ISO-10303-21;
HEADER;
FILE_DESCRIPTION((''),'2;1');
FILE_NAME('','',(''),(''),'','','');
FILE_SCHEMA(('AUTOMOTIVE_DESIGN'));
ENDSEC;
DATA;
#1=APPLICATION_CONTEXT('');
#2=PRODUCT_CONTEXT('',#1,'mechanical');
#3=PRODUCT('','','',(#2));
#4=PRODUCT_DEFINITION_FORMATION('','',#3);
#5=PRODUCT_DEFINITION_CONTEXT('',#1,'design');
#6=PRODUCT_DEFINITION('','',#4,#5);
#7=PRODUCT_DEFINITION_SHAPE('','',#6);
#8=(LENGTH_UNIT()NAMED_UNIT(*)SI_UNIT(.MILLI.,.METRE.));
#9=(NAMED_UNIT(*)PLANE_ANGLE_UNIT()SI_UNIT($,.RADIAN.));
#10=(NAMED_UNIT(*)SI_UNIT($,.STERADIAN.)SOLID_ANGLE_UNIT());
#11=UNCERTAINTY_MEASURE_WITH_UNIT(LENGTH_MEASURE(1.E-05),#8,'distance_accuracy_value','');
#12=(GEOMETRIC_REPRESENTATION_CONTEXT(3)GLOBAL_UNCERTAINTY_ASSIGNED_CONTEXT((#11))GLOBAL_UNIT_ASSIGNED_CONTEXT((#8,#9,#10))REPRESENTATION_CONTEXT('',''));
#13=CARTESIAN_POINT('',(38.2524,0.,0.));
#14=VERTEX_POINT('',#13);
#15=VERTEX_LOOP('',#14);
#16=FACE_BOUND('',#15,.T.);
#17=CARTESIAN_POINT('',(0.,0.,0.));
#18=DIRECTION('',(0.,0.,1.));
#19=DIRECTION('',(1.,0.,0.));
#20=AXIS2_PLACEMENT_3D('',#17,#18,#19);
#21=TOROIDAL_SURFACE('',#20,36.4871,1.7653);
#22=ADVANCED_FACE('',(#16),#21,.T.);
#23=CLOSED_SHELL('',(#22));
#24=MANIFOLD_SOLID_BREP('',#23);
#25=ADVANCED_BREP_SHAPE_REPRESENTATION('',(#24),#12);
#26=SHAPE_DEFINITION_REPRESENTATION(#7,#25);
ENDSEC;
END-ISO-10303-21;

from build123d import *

# Parameters (mm, degrees)
SKETCH1_R = 1.7653


with BuildPart() as part:
    # Sketch1 → Revolve1 (revolve)
    with BuildSketch(Plane(origin=(0, 0, 0), x_dir=(0, -1, 0), z_dir=(1, 0, 0)), mode=Mode.PRIVATE) as revolve1_sk:
        with Locations((36.4871, 0)):
            Circle(SKETCH1_R)
    revolve(revolve1_sk.sketch.rotate(Axis((0, 0, 1.7653), (0, 0, -1)), 270), axis=Axis((0, 0, 1.7653), (0, 0, -1)))


solid = part.part
